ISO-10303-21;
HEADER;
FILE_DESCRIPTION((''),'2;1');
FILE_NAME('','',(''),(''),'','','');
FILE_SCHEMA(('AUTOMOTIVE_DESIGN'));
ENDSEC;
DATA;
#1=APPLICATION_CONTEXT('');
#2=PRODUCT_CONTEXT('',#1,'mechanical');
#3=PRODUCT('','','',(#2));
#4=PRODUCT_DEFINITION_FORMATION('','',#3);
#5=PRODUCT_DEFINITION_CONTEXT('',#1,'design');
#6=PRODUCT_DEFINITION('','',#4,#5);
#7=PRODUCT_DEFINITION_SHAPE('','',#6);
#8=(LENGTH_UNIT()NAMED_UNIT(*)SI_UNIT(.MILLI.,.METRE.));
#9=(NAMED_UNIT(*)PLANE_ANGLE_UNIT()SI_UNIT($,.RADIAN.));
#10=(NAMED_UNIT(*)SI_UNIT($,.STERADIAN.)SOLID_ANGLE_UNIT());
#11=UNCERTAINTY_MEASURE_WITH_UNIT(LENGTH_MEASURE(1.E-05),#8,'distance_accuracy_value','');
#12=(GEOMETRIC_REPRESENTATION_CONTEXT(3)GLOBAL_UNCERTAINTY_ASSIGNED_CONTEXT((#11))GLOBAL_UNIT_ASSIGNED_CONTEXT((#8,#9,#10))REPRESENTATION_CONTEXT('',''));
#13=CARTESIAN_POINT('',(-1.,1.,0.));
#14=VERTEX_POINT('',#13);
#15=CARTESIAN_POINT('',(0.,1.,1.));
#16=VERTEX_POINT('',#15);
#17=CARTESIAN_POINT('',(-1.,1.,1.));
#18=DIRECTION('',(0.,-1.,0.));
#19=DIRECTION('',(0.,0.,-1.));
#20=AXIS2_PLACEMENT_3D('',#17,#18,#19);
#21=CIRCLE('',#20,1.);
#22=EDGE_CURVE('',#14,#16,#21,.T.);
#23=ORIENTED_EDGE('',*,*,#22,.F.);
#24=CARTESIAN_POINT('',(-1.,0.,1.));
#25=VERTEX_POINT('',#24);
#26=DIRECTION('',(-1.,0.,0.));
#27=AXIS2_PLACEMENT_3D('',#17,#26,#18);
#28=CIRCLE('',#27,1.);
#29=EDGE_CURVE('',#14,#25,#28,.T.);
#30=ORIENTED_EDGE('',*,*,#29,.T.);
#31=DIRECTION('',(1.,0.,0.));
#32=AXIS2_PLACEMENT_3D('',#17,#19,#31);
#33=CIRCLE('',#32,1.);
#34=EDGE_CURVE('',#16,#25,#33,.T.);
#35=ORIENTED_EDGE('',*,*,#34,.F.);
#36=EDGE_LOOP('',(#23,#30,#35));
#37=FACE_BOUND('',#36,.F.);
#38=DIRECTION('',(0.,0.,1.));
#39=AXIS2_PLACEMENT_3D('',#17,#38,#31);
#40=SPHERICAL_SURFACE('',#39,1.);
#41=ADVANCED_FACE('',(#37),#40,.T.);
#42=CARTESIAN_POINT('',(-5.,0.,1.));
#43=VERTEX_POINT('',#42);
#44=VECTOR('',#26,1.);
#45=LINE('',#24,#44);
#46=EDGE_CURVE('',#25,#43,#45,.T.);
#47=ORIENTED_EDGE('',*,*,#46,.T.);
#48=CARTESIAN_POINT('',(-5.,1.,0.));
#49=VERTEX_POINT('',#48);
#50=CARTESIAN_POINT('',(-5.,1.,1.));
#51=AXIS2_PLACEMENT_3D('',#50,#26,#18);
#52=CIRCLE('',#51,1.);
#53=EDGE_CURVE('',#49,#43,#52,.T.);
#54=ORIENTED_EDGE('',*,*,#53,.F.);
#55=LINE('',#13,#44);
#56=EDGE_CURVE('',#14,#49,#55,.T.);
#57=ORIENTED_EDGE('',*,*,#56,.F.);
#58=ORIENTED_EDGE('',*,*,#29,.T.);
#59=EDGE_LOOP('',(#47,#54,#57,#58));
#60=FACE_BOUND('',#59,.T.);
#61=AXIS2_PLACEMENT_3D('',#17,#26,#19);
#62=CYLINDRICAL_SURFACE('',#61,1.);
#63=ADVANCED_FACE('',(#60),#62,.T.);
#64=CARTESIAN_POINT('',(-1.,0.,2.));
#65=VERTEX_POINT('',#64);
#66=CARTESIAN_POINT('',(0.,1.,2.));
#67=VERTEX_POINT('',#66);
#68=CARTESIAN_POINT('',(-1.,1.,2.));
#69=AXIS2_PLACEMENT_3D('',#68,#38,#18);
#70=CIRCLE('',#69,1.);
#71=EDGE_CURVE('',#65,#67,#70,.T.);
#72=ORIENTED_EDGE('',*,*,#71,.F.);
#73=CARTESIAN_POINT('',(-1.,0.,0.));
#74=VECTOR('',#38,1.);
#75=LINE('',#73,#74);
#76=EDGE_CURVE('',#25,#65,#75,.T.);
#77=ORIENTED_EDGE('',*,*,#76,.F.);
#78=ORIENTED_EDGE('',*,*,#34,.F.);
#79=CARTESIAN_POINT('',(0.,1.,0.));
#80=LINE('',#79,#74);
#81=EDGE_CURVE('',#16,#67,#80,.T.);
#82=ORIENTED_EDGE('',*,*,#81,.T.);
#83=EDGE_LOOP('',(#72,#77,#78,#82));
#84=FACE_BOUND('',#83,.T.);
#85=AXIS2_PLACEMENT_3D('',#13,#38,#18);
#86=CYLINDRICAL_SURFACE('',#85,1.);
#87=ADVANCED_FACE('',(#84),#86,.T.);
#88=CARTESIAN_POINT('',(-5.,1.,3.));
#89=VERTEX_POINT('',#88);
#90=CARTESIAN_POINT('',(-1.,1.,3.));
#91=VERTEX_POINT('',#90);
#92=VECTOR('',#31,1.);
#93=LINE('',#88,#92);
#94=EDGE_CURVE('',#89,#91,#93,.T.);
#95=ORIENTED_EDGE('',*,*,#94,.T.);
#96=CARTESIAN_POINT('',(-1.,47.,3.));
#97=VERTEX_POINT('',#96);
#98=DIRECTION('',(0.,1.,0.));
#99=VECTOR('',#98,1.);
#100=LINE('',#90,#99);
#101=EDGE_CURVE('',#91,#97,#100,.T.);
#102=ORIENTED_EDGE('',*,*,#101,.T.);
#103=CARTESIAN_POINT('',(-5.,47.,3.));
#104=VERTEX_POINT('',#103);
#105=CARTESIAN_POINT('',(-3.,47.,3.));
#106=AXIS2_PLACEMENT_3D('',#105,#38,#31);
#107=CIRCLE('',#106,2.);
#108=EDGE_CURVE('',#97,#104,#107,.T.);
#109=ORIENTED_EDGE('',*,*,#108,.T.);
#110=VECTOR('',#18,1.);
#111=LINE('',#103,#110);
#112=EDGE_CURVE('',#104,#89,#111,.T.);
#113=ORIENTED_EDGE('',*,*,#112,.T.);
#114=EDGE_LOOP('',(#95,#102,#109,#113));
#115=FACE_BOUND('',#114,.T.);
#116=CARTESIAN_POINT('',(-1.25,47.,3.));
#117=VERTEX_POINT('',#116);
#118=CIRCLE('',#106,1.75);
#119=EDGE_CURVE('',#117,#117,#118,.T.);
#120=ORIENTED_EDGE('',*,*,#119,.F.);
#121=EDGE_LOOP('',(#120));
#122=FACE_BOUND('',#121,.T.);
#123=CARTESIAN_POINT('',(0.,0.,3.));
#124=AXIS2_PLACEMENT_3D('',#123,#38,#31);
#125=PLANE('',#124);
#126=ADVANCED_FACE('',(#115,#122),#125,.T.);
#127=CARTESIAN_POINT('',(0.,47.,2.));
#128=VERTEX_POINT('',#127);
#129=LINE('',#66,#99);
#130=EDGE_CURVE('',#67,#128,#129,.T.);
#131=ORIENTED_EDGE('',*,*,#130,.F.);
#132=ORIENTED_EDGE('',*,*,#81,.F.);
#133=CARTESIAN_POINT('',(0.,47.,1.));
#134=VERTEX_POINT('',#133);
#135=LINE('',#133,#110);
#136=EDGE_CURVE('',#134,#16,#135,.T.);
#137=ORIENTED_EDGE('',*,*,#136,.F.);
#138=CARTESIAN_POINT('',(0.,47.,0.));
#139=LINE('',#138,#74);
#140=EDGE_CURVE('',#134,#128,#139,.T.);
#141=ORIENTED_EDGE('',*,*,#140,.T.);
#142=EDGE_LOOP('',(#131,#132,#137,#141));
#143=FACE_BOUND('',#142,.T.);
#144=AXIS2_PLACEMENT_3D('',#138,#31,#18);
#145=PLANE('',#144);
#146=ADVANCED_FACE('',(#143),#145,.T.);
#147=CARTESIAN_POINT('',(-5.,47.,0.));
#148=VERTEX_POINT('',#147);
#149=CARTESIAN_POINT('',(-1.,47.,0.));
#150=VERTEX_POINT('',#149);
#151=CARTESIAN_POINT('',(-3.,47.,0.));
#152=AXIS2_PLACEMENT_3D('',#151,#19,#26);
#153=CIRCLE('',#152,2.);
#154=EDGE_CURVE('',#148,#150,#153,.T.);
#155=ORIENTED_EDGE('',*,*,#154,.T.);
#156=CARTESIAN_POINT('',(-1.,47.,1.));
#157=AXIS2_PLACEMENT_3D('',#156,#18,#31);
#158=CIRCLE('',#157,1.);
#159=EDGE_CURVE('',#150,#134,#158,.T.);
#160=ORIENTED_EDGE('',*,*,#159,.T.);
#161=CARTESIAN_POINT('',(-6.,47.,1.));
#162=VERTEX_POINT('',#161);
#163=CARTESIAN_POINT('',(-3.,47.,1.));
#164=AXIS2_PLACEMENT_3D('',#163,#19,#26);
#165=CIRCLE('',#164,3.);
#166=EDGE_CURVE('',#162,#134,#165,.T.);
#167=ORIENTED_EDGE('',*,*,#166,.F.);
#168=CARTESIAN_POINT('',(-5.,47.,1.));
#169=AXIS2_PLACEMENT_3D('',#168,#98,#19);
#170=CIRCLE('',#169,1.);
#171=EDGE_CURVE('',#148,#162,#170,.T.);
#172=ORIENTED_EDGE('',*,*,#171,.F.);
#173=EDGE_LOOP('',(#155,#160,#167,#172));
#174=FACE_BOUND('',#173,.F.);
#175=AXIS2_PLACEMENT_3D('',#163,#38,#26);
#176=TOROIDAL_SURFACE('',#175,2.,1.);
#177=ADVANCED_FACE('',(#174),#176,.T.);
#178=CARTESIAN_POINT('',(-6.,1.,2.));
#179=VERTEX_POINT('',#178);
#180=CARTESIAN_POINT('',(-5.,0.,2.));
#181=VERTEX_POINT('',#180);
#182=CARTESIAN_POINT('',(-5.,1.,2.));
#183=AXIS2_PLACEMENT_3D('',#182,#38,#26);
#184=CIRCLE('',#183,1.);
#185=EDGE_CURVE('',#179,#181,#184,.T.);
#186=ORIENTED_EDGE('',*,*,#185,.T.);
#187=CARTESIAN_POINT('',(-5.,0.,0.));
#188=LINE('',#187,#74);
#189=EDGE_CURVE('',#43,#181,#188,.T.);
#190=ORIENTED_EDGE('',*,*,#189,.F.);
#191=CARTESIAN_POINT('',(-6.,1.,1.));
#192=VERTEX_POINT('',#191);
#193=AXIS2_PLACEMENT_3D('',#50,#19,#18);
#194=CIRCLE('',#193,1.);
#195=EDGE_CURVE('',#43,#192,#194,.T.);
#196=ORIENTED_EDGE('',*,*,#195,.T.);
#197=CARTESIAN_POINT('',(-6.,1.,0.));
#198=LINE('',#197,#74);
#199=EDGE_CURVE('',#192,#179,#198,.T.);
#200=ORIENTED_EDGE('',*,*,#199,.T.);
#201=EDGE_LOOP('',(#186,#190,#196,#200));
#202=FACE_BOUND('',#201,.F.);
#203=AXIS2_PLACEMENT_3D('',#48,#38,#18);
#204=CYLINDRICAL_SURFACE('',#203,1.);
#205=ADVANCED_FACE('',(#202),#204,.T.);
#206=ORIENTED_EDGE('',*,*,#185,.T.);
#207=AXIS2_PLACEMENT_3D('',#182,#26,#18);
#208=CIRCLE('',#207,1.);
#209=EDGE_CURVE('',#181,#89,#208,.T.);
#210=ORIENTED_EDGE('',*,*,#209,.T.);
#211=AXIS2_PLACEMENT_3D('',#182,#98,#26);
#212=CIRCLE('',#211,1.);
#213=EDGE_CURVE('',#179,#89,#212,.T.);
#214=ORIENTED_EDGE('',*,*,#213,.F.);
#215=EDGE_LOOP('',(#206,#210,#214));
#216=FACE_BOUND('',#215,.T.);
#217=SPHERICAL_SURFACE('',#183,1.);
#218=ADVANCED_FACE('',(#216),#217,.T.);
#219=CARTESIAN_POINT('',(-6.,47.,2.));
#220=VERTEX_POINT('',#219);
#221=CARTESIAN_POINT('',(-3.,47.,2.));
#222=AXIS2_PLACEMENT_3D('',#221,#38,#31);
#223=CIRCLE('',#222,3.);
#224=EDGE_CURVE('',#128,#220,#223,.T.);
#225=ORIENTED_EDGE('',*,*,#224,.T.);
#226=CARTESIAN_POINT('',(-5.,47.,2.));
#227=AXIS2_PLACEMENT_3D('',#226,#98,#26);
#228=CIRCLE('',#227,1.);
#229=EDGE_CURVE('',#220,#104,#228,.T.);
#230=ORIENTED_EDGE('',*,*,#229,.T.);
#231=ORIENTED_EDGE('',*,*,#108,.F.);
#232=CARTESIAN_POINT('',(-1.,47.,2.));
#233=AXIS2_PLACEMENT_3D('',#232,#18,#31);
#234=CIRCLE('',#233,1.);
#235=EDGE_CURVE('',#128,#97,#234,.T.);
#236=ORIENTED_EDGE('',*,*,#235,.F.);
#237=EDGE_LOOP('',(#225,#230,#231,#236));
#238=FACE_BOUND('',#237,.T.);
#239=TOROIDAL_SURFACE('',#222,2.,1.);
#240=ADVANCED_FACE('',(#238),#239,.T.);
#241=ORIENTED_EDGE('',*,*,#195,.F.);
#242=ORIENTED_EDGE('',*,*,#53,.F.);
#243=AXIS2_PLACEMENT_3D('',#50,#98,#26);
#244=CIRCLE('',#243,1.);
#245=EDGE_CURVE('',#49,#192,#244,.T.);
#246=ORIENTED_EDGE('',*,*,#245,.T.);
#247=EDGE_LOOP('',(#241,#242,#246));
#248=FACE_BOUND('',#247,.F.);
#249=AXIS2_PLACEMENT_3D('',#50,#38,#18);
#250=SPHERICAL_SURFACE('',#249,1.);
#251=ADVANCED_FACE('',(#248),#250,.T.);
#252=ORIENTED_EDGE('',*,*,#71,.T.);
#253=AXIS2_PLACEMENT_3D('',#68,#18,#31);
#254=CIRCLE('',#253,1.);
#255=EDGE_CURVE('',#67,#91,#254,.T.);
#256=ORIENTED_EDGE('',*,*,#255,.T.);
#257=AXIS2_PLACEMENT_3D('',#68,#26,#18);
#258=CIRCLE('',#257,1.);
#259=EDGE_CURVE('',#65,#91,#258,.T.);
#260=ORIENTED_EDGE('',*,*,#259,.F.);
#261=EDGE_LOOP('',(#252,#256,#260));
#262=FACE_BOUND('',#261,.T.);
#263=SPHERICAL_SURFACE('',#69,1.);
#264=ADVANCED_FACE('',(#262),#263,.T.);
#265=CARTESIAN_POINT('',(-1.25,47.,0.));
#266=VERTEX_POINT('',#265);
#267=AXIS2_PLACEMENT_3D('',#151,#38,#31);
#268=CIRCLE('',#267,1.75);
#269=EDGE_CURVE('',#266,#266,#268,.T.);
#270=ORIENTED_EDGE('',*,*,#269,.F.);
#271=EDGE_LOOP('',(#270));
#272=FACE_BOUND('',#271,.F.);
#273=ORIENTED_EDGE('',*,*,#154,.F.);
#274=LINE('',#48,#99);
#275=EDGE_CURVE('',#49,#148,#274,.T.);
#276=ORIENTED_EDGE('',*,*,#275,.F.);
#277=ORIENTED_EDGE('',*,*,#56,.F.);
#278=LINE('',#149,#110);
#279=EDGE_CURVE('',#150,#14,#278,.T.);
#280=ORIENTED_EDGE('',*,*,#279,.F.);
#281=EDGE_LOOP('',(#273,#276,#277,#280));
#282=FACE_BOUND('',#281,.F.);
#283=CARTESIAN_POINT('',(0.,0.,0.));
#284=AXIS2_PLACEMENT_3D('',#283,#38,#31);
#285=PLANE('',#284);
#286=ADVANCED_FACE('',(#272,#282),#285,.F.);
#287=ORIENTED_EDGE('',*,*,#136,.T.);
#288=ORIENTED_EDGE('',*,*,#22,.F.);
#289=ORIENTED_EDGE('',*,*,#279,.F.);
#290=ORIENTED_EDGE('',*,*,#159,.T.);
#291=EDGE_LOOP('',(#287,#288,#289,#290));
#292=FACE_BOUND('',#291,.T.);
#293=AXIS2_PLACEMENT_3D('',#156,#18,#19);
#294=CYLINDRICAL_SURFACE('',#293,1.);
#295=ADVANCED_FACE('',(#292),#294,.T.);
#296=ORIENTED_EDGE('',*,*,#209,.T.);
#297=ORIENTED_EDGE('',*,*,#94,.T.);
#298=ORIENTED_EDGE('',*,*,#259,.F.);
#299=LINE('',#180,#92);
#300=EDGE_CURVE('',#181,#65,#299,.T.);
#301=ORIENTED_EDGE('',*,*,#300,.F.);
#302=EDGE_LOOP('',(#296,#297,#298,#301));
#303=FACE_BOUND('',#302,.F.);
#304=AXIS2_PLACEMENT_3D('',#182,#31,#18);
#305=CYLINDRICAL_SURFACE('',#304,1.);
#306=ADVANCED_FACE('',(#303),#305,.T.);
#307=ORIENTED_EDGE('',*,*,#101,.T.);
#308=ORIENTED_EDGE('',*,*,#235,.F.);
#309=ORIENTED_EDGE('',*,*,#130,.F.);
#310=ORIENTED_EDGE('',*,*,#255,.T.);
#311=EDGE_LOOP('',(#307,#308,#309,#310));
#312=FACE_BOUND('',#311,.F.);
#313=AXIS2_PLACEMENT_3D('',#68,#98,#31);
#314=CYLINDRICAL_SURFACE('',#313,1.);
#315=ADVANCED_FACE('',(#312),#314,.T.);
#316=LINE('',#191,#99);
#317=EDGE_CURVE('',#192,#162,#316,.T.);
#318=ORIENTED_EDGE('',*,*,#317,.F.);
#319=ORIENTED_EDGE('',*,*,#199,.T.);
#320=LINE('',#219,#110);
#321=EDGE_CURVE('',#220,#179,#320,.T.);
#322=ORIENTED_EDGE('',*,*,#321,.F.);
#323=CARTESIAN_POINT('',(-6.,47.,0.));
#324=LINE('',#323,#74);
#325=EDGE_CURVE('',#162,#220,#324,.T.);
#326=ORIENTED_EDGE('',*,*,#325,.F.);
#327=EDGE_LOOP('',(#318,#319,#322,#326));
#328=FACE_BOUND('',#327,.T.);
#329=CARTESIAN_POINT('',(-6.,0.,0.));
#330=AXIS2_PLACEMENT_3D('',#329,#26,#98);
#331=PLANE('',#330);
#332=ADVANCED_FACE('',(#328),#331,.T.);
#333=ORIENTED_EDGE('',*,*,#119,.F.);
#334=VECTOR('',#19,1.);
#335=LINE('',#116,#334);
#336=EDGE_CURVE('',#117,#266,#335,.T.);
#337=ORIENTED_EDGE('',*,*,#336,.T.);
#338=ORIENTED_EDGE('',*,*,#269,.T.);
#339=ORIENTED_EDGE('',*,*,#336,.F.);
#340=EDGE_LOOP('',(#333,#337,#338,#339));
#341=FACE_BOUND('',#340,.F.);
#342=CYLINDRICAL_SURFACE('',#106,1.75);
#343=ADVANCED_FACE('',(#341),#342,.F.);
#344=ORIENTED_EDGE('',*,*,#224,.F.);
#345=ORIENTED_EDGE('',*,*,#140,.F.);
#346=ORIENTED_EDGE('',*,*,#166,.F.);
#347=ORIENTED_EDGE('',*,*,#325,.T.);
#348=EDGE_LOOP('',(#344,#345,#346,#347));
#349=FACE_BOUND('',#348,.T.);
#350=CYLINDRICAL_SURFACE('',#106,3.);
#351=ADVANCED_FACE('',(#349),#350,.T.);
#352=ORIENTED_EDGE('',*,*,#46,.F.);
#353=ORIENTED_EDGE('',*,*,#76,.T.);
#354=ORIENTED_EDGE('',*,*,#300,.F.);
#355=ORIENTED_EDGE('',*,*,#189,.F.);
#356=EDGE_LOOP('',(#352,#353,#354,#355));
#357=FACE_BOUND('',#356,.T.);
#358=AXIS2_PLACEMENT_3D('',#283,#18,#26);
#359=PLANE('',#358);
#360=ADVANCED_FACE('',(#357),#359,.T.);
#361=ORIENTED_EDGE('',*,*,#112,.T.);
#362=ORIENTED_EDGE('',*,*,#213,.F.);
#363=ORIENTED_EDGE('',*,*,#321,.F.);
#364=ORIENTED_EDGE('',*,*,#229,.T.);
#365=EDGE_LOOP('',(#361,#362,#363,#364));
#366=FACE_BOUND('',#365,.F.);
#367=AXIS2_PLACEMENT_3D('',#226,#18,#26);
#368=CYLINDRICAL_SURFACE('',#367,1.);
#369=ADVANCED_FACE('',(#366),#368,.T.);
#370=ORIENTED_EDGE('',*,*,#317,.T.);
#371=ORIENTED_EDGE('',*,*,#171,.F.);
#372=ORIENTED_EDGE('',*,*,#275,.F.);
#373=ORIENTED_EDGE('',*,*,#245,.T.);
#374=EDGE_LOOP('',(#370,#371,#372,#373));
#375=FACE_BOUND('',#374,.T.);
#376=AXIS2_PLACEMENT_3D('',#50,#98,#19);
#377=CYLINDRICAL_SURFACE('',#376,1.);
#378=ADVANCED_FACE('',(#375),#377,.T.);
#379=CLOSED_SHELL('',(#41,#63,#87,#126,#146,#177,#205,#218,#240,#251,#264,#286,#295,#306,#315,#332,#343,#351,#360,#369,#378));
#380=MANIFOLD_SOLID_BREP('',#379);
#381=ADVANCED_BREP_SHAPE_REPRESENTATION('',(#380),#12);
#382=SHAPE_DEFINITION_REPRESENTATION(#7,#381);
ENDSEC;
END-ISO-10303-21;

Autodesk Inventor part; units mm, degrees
ref_plane "YZ Plane" through (0, 0, 0) normal (1, 0, 0) x (0, 1, 0)
sketch "Эскиз1" plane through (0, 0, 0) normal (0, 0, 1) x (1, 0, 0)
  line L0 (0, 0) -> (-6, 0)
  line L1 (-6, 0) -> (-6, 47)
  line L2 (-6, 47) -> (0, 47)
  line L3 (0, 47) -> (0, 0)
  dimension "d0" = 6
  dimension "d1" = 47
extrude "Выдавливание1" add sketch "Эскиз1" along normal blind 3
fillet "Сопряжение1" radius 1 2 edges at (0, 0, 1.5) (-6, 0, 1.5)
ref_plane "РабПлоскость1" through (0, 0, 3) normal (0, 0, 1) x (1, 0, 0)
sketch "Эскиз3" plane through (0, 0, 3) normal (0, 0, 1) x (1, 0, 0)
  line L0 (0, 47) -> (-6, 47) projected
  circle A0 centre (-3, 47) radius 3
  point P0 (0, 0)
  dimension "d6" = 6
extrude "Выдавливание2" add sketch "Эскиз3" against normal blind 3
ref_plane "РабПлоскость2" through (0, 0, 3) normal (0, 0, 1) x (1, 0, 0)
sketch "Эскиз4" plane through (0, 0, 3) normal (0, 0, 1) x (1, 0, 0)
  circle A0 centre (-3, 47) radius 1.75
  point P0 (0, 0)
  dimension "d10" = 3.5
extrude "Выдавливание3" cut sketch "Эскиз4" against normal through all
fillet "Сопряжение2" radius 1 12 edges at (-0.2929, 0.2929, 3) (0, 24, 3) (-3, 50, 3) (-6, 24, 3) (-5.7071, 0.2929, 3) (-3, 0, 3) (-5.7071, 0.2929, 0) (-6, 24, 0) (-3, 50, 0) (0, 24, 0) (-0.2929, 0.2929, 0) (-3, 0, 0)
properties part number "ручка"
